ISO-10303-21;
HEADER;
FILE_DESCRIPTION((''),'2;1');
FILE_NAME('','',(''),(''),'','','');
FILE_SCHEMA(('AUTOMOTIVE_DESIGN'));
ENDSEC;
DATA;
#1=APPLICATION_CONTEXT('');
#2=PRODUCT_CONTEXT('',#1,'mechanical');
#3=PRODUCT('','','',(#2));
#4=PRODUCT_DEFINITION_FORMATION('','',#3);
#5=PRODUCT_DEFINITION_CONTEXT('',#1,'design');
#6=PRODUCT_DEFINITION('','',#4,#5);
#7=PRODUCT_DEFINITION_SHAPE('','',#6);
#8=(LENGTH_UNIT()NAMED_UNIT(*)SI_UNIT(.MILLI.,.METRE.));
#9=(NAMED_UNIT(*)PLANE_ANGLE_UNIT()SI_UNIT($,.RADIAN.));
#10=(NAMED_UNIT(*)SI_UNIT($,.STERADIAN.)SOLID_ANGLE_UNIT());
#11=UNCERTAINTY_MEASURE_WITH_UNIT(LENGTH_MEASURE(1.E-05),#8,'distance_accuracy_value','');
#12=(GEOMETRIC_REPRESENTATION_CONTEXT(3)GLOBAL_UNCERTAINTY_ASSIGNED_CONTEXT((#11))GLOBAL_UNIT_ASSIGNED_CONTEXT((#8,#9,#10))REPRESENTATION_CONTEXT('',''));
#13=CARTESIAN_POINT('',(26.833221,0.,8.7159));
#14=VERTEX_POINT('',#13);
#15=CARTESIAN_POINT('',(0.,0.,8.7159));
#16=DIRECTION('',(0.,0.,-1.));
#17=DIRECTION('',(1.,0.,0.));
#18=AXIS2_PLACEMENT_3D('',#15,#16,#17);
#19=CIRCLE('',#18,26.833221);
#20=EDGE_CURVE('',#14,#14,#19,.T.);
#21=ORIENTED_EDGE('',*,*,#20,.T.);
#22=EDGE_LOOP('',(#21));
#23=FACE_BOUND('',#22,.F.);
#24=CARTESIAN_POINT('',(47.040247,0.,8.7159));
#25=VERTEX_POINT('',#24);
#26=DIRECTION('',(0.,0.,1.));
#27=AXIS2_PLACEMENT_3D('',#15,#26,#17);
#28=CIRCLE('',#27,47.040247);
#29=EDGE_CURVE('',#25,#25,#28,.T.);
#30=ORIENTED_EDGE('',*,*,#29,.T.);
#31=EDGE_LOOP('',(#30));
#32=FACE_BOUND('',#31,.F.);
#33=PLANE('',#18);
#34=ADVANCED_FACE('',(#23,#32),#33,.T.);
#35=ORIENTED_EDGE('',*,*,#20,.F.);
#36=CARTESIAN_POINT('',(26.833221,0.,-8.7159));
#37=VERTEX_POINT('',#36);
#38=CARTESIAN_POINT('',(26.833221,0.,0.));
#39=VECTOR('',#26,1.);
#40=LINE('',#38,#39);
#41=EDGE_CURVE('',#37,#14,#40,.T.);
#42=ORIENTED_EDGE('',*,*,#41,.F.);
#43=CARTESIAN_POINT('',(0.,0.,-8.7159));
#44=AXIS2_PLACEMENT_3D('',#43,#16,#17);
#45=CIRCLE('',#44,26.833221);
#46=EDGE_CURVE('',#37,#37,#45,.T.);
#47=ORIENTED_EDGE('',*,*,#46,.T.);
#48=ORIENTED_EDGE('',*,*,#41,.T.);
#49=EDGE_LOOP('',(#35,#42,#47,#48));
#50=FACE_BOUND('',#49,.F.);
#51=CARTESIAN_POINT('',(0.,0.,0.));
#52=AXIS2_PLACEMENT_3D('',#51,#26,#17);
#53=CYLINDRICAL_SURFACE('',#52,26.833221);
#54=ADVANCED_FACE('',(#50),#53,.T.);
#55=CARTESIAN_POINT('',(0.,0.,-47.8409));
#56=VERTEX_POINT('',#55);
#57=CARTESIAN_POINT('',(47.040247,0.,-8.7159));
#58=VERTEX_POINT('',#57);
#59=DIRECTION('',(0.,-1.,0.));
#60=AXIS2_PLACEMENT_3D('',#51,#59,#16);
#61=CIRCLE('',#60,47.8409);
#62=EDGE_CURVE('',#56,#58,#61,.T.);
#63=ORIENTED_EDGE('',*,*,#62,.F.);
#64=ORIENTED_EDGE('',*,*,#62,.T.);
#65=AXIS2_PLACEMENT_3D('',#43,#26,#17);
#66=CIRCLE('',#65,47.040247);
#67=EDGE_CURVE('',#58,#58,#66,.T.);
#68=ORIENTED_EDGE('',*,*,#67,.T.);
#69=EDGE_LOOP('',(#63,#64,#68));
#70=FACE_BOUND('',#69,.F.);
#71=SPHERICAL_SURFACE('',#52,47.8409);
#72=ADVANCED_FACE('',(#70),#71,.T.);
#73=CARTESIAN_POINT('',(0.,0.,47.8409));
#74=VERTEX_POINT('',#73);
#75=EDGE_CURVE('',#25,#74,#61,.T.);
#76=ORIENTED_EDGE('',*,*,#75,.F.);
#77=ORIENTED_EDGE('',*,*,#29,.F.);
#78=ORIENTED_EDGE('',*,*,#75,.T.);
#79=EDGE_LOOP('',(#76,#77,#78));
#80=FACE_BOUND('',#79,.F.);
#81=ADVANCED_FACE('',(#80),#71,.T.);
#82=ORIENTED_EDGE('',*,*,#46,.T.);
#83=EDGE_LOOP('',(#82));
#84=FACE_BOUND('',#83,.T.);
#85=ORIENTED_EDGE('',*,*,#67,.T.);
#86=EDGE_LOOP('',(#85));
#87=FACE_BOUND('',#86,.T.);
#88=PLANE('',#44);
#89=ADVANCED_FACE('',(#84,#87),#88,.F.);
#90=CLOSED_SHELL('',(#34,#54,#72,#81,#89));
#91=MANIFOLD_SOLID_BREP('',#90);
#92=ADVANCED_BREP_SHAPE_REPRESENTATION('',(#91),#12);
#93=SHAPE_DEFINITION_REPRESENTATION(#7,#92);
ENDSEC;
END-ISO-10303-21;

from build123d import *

# Parameters (mm, degrees)
F2_W = 28.595984
F2_H = 17.4318


with BuildPart() as f1:
    # F0 (on Front) → F1 (revolve)
    with BuildSketch(Plane.XZ):
        with BuildLine():
            Line((0, 47.8409), (0, -47.8409))
            ThreePointArc((0, -47.8409), (47.8409, 0), (0, 47.8409))
        make_face()
    revolve(axis=Axis((0, 0, 0), (0, 0, -1)))

    # F2 (on Front) → F3 (revolve, cut)
    with BuildSketch(Plane.XZ):
        with Locations((41.131213, 0)):
            Rectangle(F2_W, F2_H)
    revolve(axis=Axis((0, 0, 0.293795), (0, 0, -1)), mode=Mode.SUBTRACT)


solid = f1.part
